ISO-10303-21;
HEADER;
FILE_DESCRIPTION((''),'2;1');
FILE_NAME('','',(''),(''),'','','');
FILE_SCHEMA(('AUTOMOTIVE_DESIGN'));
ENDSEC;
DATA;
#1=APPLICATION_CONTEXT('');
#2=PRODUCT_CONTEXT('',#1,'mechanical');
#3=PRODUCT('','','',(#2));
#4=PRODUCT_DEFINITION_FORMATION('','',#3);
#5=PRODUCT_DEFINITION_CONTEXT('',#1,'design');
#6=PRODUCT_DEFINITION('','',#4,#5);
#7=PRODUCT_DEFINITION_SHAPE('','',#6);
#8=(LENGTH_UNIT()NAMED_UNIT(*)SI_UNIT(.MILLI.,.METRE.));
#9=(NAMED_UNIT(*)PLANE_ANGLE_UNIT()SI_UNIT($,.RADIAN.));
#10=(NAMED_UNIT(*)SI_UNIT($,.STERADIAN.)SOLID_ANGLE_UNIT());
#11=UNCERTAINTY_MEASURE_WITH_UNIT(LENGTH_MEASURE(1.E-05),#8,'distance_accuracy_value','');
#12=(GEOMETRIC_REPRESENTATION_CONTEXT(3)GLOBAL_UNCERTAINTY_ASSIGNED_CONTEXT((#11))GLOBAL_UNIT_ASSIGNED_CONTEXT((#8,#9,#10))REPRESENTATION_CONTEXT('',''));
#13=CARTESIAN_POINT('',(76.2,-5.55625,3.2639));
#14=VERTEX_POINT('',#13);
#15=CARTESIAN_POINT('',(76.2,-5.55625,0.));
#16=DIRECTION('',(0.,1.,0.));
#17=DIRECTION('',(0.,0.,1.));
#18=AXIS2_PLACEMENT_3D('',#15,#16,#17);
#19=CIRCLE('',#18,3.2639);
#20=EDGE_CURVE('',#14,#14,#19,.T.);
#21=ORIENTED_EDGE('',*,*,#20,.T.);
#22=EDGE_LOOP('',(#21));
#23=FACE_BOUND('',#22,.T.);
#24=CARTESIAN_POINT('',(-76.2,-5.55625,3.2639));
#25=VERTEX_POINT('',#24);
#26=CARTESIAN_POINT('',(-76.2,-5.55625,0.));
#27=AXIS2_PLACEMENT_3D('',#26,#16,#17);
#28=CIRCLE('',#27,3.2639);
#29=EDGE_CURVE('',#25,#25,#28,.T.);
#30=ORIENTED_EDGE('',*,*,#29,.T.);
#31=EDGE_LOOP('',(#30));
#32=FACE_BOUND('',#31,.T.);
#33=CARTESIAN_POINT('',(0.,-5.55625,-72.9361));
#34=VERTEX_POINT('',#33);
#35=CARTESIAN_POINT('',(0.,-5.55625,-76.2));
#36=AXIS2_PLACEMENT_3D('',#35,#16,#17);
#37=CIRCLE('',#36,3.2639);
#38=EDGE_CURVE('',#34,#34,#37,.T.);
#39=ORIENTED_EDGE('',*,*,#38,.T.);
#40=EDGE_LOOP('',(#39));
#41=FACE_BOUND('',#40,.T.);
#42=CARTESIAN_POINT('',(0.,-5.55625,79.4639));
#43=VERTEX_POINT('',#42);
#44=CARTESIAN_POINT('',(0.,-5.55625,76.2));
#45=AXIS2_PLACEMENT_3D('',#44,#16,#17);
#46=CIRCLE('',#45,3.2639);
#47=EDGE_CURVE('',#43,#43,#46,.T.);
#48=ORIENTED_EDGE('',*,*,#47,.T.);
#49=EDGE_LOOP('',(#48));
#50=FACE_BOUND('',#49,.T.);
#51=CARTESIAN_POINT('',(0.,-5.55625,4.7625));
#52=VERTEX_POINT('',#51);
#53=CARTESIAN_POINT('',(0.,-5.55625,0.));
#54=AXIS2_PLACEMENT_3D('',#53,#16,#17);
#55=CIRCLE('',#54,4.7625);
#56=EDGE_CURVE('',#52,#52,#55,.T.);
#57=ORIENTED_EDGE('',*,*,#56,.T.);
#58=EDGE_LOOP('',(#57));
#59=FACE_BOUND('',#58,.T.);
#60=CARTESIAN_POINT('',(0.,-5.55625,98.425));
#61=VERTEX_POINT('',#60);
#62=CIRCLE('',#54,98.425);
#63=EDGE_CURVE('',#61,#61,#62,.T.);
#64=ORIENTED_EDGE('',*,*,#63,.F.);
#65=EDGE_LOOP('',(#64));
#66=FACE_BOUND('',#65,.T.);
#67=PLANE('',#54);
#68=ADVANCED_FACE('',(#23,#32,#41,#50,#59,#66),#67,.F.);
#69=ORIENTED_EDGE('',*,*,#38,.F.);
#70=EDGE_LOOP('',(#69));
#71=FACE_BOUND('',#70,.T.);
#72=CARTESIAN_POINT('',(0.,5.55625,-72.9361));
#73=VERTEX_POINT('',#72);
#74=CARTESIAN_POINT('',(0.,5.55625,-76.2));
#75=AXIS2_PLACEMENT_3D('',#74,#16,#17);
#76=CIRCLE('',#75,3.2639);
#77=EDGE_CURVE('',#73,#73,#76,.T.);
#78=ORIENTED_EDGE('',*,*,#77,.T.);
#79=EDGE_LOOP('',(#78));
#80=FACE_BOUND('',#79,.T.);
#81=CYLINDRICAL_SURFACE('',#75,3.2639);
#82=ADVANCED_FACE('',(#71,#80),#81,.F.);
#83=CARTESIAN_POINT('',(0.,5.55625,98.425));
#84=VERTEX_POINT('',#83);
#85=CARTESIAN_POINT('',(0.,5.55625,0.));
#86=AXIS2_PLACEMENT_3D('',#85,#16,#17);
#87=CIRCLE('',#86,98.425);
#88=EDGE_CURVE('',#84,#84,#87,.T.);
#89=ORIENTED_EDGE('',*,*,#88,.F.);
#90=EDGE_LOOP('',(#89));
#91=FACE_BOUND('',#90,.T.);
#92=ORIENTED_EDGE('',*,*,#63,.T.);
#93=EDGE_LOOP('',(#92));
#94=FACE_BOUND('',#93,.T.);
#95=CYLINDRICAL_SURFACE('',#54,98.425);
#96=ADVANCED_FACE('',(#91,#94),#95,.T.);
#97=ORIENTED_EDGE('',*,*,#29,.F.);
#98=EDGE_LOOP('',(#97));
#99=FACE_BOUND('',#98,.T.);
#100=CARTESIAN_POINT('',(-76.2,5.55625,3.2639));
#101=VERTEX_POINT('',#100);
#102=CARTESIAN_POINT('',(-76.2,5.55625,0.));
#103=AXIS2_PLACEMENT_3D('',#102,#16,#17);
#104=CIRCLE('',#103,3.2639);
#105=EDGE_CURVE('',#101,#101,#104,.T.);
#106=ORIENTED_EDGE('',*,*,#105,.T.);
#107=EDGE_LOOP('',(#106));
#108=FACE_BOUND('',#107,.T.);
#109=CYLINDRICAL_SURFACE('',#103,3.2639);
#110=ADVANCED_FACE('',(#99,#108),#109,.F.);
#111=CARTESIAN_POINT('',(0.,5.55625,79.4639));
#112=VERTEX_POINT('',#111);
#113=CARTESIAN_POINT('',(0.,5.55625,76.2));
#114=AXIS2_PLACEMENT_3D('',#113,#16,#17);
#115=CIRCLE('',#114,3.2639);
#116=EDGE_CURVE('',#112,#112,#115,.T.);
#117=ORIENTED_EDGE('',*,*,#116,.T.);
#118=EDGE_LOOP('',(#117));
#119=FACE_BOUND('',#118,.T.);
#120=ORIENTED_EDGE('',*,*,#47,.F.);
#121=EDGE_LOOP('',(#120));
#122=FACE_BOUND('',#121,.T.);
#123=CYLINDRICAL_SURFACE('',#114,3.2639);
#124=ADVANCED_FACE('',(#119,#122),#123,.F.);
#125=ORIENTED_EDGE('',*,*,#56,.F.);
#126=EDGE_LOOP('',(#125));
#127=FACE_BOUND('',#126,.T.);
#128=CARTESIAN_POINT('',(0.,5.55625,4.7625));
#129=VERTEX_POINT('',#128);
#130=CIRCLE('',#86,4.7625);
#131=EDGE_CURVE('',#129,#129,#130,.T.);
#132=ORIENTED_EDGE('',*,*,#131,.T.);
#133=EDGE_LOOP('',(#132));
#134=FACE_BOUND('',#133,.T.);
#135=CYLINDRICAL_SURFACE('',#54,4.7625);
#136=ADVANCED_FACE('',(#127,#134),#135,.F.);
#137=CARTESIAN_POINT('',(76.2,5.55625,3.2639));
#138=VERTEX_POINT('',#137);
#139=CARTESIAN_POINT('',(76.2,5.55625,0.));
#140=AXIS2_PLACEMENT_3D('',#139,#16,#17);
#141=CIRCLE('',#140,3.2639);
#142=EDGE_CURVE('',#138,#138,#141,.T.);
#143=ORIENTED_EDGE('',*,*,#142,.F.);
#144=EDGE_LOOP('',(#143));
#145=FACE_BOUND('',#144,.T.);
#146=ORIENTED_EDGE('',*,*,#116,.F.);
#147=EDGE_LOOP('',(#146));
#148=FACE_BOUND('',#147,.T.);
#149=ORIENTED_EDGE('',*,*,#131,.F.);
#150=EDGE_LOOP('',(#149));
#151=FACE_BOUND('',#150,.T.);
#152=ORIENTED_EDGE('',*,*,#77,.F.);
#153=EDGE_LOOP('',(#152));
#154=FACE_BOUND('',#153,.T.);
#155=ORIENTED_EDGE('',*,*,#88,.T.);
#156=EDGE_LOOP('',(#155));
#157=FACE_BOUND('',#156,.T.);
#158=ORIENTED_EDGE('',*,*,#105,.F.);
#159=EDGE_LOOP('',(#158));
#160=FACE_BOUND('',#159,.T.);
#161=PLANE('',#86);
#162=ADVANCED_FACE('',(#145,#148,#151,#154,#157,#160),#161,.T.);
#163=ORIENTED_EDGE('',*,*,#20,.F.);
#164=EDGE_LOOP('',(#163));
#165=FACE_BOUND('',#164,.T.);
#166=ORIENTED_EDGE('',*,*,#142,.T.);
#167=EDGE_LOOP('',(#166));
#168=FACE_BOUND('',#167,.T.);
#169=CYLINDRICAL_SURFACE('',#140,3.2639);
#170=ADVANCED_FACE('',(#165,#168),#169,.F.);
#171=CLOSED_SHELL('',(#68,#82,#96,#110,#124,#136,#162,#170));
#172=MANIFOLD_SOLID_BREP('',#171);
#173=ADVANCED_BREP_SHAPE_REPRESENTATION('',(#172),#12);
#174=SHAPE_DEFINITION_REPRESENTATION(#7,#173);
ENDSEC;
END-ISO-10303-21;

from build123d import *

# Parameters (mm, degrees)
SKETCH1_R                = 98.425
SKETCH1_R_2              = 4.7625
BOSS_EXTRUDE1_DEPTH      = 5.55625
BOSS_EXTRUDE1_DEPTH_BACK = 5.55625
CIRPATTERN1_COUNT        = 4


with BuildPart() as part:
    # Sketch1 → Boss-Extrude1 (new body, two sides)
    with BuildSketch(Plane(origin=(0, 0, 0), x_dir=(1, 0, 0), z_dir=(0, 1, 0))) as boss_extrude1_sk:
        Circle(SKETCH1_R)
        Circle(SKETCH1_R_2, mode=Mode.SUBTRACT)
    extrude(amount=BOSS_EXTRUDE1_DEPTH)
    extrude(boss_extrude1_sk.sketch, amount=-BOSS_EXTRUDE1_DEPTH_BACK)

    # Sketch2 → 1/4 Clearance Hole1 (revolve, cut)
    with BuildSketch(Plane(origin=(0, 5.55625, 76.2), x_dir=(0, 0, 1), z_dir=(1, 0, 0))):
        Polygon((0, 0), (0, 14.661148974), (3.2639, 12.7), (3.2639, 0), align=None)
    f_1_4_clearance_hole1 = revolve(axis=Axis((0, 11.90625, 76.2), (0, -1, 0)), mode=Mode.SUBTRACT)

    # CirPattern1: 1/4 Clearance Hole1 ×4 about axis
    cirpattern1_axis = Axis((0, 0, 0), (0, 1, 0))
    for i in range(1, CIRPATTERN1_COUNT):
        add(f_1_4_clearance_hole1.rotate(cirpattern1_axis, i * 360 / CIRPATTERN1_COUNT), mode=Mode.SUBTRACT)


solid = part.part
